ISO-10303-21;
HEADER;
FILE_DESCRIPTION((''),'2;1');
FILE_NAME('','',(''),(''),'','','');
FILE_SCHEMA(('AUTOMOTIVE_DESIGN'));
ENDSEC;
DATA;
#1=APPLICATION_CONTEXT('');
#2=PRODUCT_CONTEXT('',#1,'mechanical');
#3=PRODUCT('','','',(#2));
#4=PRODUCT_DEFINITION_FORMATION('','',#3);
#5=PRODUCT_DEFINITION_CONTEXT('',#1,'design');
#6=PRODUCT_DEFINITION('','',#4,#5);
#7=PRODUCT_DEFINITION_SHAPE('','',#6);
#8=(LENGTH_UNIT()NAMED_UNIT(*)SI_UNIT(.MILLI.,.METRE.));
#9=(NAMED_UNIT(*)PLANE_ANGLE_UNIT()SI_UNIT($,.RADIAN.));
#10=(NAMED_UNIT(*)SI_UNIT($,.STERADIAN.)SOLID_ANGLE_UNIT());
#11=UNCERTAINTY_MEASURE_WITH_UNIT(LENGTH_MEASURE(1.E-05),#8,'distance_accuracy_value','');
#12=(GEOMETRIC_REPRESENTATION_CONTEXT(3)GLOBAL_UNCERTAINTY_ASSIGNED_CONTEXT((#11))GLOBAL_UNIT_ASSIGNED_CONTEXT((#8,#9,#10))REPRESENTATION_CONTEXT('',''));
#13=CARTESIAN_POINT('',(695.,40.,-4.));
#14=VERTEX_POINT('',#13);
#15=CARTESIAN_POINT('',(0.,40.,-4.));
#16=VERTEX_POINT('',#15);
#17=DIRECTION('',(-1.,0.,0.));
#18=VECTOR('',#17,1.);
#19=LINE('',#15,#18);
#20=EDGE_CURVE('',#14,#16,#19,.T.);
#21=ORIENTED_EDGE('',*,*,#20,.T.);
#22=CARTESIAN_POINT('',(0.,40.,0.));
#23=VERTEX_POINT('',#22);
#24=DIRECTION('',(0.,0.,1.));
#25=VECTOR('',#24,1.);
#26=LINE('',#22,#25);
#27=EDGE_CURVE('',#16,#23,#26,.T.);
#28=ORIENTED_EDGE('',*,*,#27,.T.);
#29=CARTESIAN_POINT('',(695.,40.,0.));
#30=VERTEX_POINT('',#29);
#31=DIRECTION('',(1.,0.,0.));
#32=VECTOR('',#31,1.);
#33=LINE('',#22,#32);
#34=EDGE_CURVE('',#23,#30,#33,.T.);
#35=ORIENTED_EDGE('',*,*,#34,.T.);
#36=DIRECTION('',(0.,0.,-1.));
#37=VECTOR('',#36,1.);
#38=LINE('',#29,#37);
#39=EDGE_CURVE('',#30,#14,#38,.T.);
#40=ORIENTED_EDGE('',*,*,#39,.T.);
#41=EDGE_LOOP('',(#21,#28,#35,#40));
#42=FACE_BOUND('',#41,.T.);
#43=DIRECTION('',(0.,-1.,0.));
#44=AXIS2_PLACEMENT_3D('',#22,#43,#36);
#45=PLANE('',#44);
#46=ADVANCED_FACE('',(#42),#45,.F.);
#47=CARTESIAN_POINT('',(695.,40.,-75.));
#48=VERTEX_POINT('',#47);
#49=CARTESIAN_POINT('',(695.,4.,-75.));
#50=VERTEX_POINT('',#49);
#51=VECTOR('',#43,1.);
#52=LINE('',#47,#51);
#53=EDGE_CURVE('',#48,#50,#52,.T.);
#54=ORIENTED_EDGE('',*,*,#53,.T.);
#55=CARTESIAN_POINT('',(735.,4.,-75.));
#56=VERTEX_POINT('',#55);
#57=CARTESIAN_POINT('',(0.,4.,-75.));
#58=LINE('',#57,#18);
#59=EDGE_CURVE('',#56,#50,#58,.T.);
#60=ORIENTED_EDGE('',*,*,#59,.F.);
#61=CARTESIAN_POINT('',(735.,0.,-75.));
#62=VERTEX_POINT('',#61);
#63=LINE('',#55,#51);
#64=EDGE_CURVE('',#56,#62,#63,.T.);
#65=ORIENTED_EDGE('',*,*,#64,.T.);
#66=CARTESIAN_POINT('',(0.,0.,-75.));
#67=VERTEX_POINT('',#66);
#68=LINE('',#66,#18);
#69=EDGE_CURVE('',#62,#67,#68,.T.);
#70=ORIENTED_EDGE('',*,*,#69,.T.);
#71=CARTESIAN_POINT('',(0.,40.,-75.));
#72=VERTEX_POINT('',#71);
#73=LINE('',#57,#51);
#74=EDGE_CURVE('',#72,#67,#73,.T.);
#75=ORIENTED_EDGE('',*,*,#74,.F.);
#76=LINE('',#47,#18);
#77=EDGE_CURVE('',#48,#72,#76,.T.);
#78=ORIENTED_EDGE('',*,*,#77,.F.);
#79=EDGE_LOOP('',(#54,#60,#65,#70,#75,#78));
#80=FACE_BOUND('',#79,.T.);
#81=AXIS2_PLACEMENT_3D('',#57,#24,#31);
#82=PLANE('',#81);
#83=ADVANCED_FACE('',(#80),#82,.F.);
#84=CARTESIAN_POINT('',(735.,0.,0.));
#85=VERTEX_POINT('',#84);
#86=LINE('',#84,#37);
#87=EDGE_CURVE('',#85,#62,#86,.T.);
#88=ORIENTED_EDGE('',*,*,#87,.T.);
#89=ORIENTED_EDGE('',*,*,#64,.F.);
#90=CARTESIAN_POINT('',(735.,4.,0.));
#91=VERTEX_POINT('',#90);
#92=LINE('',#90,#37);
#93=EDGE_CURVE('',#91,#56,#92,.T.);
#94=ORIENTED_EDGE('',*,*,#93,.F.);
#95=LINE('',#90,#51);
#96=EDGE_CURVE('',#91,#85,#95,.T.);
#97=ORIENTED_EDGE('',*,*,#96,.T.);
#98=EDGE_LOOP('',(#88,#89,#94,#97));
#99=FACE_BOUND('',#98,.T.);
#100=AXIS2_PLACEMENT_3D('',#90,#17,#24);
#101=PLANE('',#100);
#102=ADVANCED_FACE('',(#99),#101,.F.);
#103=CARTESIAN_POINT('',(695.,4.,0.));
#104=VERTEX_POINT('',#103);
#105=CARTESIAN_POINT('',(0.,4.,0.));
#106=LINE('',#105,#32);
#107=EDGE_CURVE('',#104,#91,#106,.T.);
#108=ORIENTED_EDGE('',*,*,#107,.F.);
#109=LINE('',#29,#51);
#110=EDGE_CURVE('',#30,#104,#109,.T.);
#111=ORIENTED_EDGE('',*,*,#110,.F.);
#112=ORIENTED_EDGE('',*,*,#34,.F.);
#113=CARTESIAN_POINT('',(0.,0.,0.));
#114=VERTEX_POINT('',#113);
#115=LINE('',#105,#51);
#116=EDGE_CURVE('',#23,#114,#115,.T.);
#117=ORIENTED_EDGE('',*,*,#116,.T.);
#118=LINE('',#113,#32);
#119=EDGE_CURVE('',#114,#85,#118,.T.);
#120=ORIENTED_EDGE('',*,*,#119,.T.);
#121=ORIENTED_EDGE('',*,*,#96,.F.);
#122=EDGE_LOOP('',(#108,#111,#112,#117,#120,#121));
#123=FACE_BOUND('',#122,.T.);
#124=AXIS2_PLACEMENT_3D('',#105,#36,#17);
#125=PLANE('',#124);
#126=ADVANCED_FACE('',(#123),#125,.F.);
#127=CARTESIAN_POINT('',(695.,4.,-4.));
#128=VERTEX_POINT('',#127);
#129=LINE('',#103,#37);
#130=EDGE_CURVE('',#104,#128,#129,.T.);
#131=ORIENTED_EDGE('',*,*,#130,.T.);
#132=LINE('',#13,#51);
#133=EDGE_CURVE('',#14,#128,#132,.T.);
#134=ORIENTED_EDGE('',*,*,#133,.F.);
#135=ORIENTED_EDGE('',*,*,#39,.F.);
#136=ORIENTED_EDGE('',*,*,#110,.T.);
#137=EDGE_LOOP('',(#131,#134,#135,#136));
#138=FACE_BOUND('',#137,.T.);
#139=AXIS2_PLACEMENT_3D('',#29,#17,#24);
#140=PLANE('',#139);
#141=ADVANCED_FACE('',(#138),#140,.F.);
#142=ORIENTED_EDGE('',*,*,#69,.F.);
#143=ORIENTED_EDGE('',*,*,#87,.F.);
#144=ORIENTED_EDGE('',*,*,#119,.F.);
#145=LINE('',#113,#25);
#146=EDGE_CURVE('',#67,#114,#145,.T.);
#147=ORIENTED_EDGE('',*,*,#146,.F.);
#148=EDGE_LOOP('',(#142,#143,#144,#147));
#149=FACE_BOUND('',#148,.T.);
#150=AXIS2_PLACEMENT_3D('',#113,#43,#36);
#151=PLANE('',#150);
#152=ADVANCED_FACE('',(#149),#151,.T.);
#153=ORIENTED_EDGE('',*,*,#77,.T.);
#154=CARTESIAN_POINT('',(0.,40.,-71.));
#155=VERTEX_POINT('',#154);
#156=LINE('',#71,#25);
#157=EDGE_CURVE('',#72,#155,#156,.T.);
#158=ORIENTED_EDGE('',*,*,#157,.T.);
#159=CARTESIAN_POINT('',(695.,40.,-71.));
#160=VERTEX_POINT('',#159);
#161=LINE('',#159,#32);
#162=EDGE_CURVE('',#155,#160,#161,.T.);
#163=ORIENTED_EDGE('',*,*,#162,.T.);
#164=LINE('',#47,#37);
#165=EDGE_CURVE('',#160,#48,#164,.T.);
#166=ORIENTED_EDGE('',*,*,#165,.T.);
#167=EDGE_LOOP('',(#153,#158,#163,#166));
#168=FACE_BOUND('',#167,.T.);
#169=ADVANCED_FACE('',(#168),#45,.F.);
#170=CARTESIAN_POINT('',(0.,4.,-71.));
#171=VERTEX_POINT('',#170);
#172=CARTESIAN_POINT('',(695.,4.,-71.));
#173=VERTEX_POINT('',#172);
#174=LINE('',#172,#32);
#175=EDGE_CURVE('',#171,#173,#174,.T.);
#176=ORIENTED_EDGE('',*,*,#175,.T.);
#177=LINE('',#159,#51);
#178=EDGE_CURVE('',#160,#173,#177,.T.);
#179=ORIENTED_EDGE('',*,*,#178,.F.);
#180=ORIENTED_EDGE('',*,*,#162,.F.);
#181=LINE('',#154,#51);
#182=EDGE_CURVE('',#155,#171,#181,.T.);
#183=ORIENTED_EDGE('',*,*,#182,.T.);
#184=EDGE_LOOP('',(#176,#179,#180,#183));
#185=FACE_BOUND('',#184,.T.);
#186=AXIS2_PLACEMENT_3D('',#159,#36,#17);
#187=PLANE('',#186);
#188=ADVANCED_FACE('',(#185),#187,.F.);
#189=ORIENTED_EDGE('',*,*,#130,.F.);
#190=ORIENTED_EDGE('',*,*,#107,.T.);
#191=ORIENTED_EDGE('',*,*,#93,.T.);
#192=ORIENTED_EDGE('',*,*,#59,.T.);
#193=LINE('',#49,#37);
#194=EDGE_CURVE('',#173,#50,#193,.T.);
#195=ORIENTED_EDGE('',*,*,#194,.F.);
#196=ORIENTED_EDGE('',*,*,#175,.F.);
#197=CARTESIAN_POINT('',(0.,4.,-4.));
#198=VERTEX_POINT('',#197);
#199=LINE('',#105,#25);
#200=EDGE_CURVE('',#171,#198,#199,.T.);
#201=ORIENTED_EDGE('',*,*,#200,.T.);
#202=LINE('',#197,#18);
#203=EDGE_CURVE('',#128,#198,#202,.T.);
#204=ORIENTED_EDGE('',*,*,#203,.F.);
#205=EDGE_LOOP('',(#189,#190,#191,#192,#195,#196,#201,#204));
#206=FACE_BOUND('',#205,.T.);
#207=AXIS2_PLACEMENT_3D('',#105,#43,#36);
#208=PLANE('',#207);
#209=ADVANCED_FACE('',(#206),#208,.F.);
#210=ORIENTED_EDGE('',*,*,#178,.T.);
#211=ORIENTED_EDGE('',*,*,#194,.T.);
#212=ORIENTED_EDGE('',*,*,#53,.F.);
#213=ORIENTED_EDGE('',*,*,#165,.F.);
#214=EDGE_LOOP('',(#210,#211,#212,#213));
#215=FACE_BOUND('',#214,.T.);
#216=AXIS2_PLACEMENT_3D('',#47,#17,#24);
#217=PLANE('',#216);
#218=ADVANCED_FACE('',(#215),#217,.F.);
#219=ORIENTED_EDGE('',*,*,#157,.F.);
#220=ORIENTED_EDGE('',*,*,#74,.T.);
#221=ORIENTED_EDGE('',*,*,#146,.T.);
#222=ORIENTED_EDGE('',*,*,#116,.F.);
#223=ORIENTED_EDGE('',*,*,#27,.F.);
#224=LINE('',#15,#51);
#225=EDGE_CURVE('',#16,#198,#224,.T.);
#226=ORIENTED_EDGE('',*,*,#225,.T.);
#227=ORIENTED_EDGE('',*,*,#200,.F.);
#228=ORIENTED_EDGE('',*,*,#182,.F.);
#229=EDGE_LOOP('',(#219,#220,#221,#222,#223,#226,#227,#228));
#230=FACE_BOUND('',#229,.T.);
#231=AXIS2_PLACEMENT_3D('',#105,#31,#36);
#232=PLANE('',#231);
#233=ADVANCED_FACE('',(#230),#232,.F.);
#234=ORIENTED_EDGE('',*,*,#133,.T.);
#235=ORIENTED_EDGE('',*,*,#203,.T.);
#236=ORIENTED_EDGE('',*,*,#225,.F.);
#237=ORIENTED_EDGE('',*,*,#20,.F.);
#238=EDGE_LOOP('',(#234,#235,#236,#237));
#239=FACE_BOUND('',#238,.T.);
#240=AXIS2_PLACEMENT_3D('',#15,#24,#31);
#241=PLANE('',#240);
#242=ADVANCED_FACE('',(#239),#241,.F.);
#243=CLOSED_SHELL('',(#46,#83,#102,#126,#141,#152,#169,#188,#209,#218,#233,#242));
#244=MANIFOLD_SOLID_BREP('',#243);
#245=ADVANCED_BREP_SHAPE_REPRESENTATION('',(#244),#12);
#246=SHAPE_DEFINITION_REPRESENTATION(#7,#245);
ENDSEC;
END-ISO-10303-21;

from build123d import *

# Parameters (mm, degrees)
SKETCH_1_W      = 735
SKETCH_1_H      = 75
EXTRUDE_1_DEPTH = 4
SKETCH_2_W      = 695
SKETCH_2_H      = 4
EXTRUDE_2_DEPTH = 36


with BuildPart() as part:
    # 스케치1 → 보스-돌출1 (new body)
    with BuildSketch(Plane(origin=(0, 0, 0), x_dir=(1, 0, 0), z_dir=(0, 1, 0))):
        with Locations((367.5, 37.5)):
            Rectangle(SKETCH_1_W, SKETCH_1_H)
    extrude(amount=EXTRUDE_1_DEPTH)

    # 스케치2 → 보스-돌출2 (add)
    with BuildSketch(Plane(origin=(0, 4, 0), x_dir=(1, 0, 0), z_dir=(0, 1, 0))):
        with Locations((347.5, 2)):
            Rectangle(SKETCH_2_W, SKETCH_2_H)
        with Locations((347.5, 73)):
            Rectangle(SKETCH_2_W, SKETCH_2_H)
    extrude(amount=EXTRUDE_2_DEPTH)


solid = part.part
